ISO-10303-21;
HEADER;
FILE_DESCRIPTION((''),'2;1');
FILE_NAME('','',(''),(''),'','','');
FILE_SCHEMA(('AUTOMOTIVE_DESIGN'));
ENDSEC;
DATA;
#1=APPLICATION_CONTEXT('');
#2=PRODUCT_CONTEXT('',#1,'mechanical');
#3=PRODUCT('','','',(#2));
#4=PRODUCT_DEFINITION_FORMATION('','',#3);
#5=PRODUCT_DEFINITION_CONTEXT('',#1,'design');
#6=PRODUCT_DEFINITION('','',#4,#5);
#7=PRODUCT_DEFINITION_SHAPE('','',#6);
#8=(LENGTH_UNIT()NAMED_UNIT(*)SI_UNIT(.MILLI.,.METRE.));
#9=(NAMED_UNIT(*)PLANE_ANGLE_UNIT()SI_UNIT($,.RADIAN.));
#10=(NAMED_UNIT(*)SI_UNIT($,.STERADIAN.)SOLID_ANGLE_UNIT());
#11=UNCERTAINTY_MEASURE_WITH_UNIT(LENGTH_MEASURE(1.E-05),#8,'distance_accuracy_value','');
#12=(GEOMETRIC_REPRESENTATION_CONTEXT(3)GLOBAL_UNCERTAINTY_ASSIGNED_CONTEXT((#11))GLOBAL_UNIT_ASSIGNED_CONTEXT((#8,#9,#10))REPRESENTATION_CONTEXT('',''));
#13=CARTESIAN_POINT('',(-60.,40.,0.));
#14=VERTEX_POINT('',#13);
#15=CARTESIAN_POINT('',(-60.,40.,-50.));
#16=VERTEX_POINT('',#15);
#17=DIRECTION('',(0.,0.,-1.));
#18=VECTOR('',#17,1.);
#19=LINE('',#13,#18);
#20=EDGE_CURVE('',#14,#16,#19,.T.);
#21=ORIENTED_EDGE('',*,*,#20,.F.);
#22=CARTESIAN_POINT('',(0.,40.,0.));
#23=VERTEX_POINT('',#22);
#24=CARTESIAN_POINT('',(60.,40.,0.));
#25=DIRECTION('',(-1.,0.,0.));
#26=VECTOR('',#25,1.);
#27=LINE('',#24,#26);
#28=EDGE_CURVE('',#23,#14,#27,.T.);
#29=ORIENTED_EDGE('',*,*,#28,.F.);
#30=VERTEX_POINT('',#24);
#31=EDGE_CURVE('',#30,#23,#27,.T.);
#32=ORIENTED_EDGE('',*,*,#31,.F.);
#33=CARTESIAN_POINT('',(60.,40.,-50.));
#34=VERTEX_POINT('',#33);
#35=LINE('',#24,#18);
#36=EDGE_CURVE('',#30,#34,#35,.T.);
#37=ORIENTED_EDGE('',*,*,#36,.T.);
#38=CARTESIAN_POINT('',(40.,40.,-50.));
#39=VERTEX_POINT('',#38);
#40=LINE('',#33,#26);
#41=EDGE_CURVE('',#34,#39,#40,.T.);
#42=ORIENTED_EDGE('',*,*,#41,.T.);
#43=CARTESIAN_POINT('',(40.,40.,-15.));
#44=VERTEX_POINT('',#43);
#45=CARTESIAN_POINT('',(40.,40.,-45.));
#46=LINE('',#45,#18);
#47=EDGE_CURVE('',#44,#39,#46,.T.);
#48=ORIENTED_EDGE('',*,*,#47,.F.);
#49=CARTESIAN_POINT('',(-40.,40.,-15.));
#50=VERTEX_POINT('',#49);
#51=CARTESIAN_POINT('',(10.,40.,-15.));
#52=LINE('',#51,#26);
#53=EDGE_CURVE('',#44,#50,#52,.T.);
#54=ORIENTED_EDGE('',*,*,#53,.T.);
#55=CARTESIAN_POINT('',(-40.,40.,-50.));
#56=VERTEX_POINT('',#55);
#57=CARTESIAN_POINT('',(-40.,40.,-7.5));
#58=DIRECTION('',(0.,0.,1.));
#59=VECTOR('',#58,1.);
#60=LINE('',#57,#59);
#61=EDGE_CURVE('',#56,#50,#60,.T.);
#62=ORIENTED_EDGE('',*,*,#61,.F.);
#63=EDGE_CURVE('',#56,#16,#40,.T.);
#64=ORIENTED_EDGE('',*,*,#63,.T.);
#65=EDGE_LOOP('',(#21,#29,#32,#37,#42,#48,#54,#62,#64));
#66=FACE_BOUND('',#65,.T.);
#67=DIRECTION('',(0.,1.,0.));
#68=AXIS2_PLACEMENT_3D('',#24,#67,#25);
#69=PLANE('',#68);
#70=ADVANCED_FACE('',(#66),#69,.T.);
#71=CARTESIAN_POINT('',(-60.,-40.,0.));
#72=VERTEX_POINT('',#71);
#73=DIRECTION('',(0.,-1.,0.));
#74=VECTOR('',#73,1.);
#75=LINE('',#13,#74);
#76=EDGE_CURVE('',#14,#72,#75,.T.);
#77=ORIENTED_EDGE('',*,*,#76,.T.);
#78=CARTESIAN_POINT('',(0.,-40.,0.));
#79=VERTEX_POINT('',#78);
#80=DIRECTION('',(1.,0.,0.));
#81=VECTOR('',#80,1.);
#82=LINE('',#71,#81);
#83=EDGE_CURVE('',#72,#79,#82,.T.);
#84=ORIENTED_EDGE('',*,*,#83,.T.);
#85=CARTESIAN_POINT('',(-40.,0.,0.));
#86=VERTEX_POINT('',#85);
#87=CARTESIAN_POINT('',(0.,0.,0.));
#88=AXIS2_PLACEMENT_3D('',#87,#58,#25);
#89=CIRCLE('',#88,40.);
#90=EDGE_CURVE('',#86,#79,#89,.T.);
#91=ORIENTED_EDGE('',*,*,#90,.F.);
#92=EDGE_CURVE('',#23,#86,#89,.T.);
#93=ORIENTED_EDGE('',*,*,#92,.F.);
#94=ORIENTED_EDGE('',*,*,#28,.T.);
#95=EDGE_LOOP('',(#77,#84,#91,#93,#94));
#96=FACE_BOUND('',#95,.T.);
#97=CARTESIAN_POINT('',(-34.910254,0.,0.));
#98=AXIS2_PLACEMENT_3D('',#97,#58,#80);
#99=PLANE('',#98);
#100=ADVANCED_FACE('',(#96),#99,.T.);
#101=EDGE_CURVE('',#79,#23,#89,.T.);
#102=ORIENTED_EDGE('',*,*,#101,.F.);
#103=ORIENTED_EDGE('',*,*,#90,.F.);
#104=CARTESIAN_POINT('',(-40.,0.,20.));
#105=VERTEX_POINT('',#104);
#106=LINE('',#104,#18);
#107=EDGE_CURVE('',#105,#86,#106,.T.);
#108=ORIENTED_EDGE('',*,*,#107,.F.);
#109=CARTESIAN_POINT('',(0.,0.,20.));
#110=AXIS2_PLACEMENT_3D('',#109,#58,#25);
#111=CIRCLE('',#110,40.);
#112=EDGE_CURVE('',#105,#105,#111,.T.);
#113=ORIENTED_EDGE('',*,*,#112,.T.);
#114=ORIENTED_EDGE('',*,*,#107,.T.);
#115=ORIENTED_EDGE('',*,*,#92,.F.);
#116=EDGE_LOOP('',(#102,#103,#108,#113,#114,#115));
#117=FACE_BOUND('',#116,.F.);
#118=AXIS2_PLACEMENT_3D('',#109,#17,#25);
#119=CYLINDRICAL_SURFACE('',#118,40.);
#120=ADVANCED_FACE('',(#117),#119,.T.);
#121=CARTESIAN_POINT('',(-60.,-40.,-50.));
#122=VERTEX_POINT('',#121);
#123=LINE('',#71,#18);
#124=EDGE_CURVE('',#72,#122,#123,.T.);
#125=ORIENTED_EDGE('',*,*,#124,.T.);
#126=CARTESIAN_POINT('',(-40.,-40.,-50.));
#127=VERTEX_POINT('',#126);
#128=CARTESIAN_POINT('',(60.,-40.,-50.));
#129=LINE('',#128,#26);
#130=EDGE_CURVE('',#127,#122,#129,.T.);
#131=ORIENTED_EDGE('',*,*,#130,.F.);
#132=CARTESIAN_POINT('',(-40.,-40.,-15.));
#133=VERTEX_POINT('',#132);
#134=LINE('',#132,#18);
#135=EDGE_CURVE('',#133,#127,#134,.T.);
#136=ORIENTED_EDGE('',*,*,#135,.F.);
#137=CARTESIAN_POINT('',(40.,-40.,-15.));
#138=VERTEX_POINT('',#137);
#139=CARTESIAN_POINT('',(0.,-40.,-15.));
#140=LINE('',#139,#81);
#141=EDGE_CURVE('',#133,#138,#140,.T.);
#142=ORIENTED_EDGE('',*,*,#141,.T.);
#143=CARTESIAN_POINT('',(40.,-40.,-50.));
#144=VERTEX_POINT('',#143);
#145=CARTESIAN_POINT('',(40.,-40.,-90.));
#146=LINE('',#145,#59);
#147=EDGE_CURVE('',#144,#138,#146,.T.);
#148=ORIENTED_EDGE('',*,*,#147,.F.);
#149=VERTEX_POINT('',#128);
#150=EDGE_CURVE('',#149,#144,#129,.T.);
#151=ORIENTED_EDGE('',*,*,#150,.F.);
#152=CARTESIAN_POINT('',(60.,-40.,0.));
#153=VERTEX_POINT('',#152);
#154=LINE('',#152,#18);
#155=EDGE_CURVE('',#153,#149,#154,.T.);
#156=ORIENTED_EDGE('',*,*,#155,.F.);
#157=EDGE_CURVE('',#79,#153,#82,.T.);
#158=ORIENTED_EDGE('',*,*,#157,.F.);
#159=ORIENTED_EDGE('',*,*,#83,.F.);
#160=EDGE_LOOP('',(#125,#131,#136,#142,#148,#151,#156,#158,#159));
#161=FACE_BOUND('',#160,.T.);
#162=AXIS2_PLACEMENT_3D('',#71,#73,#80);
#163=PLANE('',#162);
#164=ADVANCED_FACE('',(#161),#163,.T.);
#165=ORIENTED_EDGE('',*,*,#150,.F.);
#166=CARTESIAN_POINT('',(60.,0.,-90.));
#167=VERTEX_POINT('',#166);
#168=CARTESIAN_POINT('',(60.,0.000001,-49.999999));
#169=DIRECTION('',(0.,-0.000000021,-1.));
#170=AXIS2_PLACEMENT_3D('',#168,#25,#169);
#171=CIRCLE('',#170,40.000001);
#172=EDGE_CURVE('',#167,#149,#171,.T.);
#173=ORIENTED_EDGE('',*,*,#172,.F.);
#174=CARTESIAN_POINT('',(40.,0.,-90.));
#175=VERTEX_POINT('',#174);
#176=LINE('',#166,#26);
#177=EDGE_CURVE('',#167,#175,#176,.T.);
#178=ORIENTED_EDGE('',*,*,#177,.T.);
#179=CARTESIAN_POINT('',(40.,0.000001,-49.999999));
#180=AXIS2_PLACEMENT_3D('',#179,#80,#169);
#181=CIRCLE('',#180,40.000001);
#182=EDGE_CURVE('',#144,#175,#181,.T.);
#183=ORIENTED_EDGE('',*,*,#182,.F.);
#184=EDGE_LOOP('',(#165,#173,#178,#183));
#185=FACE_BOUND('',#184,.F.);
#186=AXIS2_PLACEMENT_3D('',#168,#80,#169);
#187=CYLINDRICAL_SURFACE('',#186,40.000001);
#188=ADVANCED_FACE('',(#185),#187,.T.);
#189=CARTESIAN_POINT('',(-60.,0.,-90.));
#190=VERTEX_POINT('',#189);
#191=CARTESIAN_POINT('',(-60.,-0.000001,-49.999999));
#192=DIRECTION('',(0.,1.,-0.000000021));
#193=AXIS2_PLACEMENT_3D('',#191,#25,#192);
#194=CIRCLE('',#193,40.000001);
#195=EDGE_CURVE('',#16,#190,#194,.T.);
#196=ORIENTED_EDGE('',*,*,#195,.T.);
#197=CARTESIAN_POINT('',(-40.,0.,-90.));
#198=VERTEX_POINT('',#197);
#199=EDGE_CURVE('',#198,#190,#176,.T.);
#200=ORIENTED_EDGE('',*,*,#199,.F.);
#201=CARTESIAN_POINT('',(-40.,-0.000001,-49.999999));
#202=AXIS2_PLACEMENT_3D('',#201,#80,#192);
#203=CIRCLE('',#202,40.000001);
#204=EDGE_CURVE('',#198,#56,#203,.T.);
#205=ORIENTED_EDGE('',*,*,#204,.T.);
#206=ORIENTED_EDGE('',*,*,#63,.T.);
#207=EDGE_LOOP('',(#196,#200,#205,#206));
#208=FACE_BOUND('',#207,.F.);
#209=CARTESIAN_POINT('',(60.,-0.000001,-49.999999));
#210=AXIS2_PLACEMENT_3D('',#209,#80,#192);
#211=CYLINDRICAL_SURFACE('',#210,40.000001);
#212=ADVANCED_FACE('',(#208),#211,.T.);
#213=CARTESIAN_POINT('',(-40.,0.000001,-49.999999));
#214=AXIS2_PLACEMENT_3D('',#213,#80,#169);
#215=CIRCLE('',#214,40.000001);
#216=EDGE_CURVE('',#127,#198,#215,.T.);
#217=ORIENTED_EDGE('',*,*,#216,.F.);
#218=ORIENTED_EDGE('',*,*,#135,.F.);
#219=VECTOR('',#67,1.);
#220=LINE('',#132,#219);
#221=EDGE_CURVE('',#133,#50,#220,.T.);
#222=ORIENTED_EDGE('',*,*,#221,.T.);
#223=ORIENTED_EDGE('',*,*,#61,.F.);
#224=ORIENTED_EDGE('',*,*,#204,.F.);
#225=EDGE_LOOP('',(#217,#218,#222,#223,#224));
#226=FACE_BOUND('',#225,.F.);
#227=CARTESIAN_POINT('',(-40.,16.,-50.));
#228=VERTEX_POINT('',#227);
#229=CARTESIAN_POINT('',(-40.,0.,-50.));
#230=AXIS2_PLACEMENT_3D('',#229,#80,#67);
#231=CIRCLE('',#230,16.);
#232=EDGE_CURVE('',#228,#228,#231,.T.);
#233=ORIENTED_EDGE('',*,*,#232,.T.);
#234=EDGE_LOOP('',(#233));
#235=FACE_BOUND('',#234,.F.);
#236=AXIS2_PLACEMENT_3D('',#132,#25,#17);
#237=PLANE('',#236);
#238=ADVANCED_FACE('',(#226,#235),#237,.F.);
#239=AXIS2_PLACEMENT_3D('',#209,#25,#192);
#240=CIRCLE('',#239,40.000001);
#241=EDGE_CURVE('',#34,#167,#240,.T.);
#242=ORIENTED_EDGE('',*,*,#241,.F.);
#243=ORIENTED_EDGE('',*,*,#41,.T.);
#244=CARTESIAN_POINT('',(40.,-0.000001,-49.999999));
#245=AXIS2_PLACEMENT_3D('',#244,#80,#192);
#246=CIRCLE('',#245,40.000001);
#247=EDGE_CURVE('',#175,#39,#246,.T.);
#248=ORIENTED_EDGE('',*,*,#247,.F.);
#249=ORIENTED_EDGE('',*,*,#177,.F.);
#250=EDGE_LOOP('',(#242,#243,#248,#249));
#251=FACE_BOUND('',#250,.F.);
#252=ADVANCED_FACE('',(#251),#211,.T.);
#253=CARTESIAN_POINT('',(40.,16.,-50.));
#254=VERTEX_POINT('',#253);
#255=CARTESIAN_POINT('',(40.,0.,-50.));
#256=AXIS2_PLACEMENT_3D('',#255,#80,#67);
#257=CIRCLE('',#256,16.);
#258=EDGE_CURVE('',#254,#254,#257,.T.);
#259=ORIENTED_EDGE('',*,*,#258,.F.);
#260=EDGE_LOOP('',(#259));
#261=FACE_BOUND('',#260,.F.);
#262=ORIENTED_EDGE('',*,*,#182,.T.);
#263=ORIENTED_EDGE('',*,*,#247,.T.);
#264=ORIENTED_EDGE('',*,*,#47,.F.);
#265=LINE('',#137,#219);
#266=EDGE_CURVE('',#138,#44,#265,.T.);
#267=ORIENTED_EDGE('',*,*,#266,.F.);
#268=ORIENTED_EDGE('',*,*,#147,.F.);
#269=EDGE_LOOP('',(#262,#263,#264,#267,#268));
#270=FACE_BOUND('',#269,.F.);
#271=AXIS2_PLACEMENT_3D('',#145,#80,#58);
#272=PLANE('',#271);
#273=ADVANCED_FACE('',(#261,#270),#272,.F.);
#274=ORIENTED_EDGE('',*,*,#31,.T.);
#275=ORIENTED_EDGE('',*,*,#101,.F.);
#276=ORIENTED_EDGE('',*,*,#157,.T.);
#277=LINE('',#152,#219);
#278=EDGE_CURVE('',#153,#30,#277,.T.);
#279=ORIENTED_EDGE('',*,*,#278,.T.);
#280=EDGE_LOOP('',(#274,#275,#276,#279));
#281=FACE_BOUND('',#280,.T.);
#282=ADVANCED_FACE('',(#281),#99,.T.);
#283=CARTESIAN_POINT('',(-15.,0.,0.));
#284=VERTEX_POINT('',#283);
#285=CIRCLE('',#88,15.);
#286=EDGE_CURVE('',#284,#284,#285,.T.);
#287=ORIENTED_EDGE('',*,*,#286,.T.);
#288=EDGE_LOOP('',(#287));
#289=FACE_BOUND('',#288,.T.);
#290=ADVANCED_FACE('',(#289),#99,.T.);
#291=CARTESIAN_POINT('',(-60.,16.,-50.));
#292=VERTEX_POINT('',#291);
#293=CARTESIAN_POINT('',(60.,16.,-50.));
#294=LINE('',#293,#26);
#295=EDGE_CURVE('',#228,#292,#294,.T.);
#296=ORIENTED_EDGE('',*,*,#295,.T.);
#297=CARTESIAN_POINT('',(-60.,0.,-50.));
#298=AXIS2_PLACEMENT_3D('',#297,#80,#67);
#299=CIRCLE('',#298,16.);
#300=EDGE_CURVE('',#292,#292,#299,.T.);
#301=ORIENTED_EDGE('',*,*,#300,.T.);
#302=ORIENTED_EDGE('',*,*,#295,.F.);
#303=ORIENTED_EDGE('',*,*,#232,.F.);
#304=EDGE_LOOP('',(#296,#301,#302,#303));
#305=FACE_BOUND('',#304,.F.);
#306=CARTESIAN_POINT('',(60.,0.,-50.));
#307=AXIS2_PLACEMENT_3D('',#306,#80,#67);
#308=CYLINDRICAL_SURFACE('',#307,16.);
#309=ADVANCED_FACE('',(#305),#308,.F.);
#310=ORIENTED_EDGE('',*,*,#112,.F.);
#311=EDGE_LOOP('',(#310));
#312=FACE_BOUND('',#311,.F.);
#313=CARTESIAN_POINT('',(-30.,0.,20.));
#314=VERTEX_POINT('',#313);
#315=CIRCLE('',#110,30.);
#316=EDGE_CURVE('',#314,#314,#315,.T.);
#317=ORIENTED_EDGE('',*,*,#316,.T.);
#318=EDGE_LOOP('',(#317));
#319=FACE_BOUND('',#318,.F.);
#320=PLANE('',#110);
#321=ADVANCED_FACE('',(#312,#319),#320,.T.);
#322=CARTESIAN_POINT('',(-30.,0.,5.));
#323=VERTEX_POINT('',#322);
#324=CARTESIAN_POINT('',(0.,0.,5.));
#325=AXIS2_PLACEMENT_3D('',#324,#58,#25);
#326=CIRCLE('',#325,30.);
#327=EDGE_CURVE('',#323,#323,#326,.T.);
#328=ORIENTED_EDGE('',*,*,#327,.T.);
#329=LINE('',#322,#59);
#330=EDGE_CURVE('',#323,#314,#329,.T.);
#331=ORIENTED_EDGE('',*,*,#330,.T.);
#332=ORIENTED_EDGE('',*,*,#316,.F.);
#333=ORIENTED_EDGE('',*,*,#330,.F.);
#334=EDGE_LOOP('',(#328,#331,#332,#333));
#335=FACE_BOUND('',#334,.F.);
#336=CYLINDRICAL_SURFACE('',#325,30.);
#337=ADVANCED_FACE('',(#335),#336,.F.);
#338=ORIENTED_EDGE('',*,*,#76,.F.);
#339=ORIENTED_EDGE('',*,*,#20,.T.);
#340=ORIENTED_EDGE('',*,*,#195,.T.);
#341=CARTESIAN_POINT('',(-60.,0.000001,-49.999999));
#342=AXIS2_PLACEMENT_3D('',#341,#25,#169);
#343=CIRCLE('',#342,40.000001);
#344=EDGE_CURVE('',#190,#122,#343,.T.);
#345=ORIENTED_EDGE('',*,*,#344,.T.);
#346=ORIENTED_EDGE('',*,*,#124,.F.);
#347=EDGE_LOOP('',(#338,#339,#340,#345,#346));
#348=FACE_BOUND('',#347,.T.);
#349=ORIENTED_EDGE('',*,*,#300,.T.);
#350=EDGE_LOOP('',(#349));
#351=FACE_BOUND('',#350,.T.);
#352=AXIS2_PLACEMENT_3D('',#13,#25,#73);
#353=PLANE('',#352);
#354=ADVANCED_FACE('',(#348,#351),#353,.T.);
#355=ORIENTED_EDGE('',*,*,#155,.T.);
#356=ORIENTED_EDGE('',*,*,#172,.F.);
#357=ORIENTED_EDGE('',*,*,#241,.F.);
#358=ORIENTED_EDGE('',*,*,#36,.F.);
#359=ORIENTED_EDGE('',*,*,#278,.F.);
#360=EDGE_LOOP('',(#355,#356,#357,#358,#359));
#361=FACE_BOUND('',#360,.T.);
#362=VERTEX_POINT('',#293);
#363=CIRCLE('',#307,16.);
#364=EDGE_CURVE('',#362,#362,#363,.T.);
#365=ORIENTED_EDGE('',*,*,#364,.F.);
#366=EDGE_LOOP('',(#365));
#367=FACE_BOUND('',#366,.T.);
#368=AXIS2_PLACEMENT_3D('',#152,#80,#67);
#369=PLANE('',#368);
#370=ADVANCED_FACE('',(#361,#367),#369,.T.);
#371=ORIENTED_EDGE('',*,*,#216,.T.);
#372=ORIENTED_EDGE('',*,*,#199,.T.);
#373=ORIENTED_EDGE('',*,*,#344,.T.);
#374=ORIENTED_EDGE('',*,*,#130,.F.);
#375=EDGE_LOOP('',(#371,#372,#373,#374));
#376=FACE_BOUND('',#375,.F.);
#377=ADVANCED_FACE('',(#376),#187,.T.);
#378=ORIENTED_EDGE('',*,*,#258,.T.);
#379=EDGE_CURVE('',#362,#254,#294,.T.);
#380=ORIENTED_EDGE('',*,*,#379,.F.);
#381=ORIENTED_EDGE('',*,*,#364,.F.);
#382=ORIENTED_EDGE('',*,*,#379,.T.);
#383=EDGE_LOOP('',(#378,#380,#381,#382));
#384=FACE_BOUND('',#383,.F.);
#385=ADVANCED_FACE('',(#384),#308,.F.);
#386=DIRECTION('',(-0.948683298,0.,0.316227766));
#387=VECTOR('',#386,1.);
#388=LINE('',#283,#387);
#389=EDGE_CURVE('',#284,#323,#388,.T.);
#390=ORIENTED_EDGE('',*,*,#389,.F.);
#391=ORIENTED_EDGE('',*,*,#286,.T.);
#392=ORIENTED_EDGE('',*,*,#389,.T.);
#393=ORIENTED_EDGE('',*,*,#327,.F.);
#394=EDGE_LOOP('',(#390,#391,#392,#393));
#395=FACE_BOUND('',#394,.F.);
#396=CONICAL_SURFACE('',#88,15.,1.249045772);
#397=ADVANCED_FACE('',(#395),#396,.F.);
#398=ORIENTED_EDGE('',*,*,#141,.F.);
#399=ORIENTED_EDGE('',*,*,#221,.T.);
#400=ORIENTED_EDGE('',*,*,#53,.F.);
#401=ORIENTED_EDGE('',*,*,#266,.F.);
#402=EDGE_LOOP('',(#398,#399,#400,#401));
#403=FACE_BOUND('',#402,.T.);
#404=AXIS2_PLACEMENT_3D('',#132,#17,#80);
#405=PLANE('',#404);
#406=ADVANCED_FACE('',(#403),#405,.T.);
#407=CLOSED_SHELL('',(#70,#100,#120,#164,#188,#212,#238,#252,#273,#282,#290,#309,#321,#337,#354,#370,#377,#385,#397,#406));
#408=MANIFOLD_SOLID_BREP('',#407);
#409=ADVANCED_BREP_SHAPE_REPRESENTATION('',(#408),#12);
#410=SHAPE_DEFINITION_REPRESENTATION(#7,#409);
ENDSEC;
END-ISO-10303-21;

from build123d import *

# Parameters (mm, degrees)
F0_R     = 30
F0_R_2   = 15
F1_DEPTH = 90
F2_R     = 16
F3_DEPTH = 120
F4_W     = 80
F4_H     = 35
F4_H_2   = 40
F5_DEPTH = 250


with BuildPart() as f1:
    # F0 (on Top) → F1 (new body)
    with BuildSketch(Plane.XY):
        with BuildLine():
            ThreePointArc((0, -40), (-40, 0), (0, 40))
            Line((0, 40), (-60, 40))
            Line((-60, 40), (-60, -40))
            Line((-60, -40), (0, -40))
        make_face()
        with BuildLine():
            ThreePointArc((0, -40), (28.284271, -28.284271), (40, 0))
            ThreePointArc((40, 0), (28.284271, 28.284271), (0, 40))
            ThreePointArc((0, 40), (-40, 0), (0, -40))
        make_face()
        Circle(F0_R, mode=Mode.SUBTRACT)
        Circle(F0_R)
        Circle(F0_R_2, mode=Mode.SUBTRACT)
        Circle(F0_R_2)
        with BuildLine():
            ThreePointArc((0, 40), (28.284271, 28.284271), (40, 0))
            ThreePointArc((40, 0), (28.284271, -28.284271), (0, -40))
            Line((0, -40), (60, -40))
            Line((60, -40), (60, 40))
            Line((60, 40), (0, 40))
        make_face()
    extrude(amount=-F1_DEPTH)

    # F2 (on face) → F3 (cut)
    with BuildSketch(Plane.YZ.offset(60)):
        with Locations((0, -50)):
            Circle(F2_R)
        with BuildLine():
            ThreePointArc((0, -90), (-28.284271, -78.284271), (-40, -50))
            Line((-40, -50), (-40, -90))
            Line((-40, -90), (0, -90))
        make_face()
        with BuildLine():
            Line((40, -90), (40, -50))
            ThreePointArc((40, -50), (28.284271, -78.284271), (0, -90))
            Line((0, -90), (40, -90))
        make_face()
    extrude(amount=-F3_DEPTH, mode=Mode.SUBTRACT)

    # F4 (on face) → F5 (cut)
    with BuildSketch(Plane.XZ.offset(40)):
        with Locations((0, -32.5)):
            Rectangle(F4_W, F4_H)
        with Locations((0, -70)):
            Rectangle(F4_W, F4_H_2)
    extrude(amount=-F5_DEPTH, mode=Mode.SUBTRACT)

    # F6 (on Front) → F7 (revolve)
    with BuildSketch(Plane.XZ):
        Polygon((-40, 0), (-15, 0), (-30, 5), (-30, 20), (-40, 20), align=None)
    revolve(axis=Axis((0, 0, 23.827048), (0, 0, 1)))


solid = f1.part
